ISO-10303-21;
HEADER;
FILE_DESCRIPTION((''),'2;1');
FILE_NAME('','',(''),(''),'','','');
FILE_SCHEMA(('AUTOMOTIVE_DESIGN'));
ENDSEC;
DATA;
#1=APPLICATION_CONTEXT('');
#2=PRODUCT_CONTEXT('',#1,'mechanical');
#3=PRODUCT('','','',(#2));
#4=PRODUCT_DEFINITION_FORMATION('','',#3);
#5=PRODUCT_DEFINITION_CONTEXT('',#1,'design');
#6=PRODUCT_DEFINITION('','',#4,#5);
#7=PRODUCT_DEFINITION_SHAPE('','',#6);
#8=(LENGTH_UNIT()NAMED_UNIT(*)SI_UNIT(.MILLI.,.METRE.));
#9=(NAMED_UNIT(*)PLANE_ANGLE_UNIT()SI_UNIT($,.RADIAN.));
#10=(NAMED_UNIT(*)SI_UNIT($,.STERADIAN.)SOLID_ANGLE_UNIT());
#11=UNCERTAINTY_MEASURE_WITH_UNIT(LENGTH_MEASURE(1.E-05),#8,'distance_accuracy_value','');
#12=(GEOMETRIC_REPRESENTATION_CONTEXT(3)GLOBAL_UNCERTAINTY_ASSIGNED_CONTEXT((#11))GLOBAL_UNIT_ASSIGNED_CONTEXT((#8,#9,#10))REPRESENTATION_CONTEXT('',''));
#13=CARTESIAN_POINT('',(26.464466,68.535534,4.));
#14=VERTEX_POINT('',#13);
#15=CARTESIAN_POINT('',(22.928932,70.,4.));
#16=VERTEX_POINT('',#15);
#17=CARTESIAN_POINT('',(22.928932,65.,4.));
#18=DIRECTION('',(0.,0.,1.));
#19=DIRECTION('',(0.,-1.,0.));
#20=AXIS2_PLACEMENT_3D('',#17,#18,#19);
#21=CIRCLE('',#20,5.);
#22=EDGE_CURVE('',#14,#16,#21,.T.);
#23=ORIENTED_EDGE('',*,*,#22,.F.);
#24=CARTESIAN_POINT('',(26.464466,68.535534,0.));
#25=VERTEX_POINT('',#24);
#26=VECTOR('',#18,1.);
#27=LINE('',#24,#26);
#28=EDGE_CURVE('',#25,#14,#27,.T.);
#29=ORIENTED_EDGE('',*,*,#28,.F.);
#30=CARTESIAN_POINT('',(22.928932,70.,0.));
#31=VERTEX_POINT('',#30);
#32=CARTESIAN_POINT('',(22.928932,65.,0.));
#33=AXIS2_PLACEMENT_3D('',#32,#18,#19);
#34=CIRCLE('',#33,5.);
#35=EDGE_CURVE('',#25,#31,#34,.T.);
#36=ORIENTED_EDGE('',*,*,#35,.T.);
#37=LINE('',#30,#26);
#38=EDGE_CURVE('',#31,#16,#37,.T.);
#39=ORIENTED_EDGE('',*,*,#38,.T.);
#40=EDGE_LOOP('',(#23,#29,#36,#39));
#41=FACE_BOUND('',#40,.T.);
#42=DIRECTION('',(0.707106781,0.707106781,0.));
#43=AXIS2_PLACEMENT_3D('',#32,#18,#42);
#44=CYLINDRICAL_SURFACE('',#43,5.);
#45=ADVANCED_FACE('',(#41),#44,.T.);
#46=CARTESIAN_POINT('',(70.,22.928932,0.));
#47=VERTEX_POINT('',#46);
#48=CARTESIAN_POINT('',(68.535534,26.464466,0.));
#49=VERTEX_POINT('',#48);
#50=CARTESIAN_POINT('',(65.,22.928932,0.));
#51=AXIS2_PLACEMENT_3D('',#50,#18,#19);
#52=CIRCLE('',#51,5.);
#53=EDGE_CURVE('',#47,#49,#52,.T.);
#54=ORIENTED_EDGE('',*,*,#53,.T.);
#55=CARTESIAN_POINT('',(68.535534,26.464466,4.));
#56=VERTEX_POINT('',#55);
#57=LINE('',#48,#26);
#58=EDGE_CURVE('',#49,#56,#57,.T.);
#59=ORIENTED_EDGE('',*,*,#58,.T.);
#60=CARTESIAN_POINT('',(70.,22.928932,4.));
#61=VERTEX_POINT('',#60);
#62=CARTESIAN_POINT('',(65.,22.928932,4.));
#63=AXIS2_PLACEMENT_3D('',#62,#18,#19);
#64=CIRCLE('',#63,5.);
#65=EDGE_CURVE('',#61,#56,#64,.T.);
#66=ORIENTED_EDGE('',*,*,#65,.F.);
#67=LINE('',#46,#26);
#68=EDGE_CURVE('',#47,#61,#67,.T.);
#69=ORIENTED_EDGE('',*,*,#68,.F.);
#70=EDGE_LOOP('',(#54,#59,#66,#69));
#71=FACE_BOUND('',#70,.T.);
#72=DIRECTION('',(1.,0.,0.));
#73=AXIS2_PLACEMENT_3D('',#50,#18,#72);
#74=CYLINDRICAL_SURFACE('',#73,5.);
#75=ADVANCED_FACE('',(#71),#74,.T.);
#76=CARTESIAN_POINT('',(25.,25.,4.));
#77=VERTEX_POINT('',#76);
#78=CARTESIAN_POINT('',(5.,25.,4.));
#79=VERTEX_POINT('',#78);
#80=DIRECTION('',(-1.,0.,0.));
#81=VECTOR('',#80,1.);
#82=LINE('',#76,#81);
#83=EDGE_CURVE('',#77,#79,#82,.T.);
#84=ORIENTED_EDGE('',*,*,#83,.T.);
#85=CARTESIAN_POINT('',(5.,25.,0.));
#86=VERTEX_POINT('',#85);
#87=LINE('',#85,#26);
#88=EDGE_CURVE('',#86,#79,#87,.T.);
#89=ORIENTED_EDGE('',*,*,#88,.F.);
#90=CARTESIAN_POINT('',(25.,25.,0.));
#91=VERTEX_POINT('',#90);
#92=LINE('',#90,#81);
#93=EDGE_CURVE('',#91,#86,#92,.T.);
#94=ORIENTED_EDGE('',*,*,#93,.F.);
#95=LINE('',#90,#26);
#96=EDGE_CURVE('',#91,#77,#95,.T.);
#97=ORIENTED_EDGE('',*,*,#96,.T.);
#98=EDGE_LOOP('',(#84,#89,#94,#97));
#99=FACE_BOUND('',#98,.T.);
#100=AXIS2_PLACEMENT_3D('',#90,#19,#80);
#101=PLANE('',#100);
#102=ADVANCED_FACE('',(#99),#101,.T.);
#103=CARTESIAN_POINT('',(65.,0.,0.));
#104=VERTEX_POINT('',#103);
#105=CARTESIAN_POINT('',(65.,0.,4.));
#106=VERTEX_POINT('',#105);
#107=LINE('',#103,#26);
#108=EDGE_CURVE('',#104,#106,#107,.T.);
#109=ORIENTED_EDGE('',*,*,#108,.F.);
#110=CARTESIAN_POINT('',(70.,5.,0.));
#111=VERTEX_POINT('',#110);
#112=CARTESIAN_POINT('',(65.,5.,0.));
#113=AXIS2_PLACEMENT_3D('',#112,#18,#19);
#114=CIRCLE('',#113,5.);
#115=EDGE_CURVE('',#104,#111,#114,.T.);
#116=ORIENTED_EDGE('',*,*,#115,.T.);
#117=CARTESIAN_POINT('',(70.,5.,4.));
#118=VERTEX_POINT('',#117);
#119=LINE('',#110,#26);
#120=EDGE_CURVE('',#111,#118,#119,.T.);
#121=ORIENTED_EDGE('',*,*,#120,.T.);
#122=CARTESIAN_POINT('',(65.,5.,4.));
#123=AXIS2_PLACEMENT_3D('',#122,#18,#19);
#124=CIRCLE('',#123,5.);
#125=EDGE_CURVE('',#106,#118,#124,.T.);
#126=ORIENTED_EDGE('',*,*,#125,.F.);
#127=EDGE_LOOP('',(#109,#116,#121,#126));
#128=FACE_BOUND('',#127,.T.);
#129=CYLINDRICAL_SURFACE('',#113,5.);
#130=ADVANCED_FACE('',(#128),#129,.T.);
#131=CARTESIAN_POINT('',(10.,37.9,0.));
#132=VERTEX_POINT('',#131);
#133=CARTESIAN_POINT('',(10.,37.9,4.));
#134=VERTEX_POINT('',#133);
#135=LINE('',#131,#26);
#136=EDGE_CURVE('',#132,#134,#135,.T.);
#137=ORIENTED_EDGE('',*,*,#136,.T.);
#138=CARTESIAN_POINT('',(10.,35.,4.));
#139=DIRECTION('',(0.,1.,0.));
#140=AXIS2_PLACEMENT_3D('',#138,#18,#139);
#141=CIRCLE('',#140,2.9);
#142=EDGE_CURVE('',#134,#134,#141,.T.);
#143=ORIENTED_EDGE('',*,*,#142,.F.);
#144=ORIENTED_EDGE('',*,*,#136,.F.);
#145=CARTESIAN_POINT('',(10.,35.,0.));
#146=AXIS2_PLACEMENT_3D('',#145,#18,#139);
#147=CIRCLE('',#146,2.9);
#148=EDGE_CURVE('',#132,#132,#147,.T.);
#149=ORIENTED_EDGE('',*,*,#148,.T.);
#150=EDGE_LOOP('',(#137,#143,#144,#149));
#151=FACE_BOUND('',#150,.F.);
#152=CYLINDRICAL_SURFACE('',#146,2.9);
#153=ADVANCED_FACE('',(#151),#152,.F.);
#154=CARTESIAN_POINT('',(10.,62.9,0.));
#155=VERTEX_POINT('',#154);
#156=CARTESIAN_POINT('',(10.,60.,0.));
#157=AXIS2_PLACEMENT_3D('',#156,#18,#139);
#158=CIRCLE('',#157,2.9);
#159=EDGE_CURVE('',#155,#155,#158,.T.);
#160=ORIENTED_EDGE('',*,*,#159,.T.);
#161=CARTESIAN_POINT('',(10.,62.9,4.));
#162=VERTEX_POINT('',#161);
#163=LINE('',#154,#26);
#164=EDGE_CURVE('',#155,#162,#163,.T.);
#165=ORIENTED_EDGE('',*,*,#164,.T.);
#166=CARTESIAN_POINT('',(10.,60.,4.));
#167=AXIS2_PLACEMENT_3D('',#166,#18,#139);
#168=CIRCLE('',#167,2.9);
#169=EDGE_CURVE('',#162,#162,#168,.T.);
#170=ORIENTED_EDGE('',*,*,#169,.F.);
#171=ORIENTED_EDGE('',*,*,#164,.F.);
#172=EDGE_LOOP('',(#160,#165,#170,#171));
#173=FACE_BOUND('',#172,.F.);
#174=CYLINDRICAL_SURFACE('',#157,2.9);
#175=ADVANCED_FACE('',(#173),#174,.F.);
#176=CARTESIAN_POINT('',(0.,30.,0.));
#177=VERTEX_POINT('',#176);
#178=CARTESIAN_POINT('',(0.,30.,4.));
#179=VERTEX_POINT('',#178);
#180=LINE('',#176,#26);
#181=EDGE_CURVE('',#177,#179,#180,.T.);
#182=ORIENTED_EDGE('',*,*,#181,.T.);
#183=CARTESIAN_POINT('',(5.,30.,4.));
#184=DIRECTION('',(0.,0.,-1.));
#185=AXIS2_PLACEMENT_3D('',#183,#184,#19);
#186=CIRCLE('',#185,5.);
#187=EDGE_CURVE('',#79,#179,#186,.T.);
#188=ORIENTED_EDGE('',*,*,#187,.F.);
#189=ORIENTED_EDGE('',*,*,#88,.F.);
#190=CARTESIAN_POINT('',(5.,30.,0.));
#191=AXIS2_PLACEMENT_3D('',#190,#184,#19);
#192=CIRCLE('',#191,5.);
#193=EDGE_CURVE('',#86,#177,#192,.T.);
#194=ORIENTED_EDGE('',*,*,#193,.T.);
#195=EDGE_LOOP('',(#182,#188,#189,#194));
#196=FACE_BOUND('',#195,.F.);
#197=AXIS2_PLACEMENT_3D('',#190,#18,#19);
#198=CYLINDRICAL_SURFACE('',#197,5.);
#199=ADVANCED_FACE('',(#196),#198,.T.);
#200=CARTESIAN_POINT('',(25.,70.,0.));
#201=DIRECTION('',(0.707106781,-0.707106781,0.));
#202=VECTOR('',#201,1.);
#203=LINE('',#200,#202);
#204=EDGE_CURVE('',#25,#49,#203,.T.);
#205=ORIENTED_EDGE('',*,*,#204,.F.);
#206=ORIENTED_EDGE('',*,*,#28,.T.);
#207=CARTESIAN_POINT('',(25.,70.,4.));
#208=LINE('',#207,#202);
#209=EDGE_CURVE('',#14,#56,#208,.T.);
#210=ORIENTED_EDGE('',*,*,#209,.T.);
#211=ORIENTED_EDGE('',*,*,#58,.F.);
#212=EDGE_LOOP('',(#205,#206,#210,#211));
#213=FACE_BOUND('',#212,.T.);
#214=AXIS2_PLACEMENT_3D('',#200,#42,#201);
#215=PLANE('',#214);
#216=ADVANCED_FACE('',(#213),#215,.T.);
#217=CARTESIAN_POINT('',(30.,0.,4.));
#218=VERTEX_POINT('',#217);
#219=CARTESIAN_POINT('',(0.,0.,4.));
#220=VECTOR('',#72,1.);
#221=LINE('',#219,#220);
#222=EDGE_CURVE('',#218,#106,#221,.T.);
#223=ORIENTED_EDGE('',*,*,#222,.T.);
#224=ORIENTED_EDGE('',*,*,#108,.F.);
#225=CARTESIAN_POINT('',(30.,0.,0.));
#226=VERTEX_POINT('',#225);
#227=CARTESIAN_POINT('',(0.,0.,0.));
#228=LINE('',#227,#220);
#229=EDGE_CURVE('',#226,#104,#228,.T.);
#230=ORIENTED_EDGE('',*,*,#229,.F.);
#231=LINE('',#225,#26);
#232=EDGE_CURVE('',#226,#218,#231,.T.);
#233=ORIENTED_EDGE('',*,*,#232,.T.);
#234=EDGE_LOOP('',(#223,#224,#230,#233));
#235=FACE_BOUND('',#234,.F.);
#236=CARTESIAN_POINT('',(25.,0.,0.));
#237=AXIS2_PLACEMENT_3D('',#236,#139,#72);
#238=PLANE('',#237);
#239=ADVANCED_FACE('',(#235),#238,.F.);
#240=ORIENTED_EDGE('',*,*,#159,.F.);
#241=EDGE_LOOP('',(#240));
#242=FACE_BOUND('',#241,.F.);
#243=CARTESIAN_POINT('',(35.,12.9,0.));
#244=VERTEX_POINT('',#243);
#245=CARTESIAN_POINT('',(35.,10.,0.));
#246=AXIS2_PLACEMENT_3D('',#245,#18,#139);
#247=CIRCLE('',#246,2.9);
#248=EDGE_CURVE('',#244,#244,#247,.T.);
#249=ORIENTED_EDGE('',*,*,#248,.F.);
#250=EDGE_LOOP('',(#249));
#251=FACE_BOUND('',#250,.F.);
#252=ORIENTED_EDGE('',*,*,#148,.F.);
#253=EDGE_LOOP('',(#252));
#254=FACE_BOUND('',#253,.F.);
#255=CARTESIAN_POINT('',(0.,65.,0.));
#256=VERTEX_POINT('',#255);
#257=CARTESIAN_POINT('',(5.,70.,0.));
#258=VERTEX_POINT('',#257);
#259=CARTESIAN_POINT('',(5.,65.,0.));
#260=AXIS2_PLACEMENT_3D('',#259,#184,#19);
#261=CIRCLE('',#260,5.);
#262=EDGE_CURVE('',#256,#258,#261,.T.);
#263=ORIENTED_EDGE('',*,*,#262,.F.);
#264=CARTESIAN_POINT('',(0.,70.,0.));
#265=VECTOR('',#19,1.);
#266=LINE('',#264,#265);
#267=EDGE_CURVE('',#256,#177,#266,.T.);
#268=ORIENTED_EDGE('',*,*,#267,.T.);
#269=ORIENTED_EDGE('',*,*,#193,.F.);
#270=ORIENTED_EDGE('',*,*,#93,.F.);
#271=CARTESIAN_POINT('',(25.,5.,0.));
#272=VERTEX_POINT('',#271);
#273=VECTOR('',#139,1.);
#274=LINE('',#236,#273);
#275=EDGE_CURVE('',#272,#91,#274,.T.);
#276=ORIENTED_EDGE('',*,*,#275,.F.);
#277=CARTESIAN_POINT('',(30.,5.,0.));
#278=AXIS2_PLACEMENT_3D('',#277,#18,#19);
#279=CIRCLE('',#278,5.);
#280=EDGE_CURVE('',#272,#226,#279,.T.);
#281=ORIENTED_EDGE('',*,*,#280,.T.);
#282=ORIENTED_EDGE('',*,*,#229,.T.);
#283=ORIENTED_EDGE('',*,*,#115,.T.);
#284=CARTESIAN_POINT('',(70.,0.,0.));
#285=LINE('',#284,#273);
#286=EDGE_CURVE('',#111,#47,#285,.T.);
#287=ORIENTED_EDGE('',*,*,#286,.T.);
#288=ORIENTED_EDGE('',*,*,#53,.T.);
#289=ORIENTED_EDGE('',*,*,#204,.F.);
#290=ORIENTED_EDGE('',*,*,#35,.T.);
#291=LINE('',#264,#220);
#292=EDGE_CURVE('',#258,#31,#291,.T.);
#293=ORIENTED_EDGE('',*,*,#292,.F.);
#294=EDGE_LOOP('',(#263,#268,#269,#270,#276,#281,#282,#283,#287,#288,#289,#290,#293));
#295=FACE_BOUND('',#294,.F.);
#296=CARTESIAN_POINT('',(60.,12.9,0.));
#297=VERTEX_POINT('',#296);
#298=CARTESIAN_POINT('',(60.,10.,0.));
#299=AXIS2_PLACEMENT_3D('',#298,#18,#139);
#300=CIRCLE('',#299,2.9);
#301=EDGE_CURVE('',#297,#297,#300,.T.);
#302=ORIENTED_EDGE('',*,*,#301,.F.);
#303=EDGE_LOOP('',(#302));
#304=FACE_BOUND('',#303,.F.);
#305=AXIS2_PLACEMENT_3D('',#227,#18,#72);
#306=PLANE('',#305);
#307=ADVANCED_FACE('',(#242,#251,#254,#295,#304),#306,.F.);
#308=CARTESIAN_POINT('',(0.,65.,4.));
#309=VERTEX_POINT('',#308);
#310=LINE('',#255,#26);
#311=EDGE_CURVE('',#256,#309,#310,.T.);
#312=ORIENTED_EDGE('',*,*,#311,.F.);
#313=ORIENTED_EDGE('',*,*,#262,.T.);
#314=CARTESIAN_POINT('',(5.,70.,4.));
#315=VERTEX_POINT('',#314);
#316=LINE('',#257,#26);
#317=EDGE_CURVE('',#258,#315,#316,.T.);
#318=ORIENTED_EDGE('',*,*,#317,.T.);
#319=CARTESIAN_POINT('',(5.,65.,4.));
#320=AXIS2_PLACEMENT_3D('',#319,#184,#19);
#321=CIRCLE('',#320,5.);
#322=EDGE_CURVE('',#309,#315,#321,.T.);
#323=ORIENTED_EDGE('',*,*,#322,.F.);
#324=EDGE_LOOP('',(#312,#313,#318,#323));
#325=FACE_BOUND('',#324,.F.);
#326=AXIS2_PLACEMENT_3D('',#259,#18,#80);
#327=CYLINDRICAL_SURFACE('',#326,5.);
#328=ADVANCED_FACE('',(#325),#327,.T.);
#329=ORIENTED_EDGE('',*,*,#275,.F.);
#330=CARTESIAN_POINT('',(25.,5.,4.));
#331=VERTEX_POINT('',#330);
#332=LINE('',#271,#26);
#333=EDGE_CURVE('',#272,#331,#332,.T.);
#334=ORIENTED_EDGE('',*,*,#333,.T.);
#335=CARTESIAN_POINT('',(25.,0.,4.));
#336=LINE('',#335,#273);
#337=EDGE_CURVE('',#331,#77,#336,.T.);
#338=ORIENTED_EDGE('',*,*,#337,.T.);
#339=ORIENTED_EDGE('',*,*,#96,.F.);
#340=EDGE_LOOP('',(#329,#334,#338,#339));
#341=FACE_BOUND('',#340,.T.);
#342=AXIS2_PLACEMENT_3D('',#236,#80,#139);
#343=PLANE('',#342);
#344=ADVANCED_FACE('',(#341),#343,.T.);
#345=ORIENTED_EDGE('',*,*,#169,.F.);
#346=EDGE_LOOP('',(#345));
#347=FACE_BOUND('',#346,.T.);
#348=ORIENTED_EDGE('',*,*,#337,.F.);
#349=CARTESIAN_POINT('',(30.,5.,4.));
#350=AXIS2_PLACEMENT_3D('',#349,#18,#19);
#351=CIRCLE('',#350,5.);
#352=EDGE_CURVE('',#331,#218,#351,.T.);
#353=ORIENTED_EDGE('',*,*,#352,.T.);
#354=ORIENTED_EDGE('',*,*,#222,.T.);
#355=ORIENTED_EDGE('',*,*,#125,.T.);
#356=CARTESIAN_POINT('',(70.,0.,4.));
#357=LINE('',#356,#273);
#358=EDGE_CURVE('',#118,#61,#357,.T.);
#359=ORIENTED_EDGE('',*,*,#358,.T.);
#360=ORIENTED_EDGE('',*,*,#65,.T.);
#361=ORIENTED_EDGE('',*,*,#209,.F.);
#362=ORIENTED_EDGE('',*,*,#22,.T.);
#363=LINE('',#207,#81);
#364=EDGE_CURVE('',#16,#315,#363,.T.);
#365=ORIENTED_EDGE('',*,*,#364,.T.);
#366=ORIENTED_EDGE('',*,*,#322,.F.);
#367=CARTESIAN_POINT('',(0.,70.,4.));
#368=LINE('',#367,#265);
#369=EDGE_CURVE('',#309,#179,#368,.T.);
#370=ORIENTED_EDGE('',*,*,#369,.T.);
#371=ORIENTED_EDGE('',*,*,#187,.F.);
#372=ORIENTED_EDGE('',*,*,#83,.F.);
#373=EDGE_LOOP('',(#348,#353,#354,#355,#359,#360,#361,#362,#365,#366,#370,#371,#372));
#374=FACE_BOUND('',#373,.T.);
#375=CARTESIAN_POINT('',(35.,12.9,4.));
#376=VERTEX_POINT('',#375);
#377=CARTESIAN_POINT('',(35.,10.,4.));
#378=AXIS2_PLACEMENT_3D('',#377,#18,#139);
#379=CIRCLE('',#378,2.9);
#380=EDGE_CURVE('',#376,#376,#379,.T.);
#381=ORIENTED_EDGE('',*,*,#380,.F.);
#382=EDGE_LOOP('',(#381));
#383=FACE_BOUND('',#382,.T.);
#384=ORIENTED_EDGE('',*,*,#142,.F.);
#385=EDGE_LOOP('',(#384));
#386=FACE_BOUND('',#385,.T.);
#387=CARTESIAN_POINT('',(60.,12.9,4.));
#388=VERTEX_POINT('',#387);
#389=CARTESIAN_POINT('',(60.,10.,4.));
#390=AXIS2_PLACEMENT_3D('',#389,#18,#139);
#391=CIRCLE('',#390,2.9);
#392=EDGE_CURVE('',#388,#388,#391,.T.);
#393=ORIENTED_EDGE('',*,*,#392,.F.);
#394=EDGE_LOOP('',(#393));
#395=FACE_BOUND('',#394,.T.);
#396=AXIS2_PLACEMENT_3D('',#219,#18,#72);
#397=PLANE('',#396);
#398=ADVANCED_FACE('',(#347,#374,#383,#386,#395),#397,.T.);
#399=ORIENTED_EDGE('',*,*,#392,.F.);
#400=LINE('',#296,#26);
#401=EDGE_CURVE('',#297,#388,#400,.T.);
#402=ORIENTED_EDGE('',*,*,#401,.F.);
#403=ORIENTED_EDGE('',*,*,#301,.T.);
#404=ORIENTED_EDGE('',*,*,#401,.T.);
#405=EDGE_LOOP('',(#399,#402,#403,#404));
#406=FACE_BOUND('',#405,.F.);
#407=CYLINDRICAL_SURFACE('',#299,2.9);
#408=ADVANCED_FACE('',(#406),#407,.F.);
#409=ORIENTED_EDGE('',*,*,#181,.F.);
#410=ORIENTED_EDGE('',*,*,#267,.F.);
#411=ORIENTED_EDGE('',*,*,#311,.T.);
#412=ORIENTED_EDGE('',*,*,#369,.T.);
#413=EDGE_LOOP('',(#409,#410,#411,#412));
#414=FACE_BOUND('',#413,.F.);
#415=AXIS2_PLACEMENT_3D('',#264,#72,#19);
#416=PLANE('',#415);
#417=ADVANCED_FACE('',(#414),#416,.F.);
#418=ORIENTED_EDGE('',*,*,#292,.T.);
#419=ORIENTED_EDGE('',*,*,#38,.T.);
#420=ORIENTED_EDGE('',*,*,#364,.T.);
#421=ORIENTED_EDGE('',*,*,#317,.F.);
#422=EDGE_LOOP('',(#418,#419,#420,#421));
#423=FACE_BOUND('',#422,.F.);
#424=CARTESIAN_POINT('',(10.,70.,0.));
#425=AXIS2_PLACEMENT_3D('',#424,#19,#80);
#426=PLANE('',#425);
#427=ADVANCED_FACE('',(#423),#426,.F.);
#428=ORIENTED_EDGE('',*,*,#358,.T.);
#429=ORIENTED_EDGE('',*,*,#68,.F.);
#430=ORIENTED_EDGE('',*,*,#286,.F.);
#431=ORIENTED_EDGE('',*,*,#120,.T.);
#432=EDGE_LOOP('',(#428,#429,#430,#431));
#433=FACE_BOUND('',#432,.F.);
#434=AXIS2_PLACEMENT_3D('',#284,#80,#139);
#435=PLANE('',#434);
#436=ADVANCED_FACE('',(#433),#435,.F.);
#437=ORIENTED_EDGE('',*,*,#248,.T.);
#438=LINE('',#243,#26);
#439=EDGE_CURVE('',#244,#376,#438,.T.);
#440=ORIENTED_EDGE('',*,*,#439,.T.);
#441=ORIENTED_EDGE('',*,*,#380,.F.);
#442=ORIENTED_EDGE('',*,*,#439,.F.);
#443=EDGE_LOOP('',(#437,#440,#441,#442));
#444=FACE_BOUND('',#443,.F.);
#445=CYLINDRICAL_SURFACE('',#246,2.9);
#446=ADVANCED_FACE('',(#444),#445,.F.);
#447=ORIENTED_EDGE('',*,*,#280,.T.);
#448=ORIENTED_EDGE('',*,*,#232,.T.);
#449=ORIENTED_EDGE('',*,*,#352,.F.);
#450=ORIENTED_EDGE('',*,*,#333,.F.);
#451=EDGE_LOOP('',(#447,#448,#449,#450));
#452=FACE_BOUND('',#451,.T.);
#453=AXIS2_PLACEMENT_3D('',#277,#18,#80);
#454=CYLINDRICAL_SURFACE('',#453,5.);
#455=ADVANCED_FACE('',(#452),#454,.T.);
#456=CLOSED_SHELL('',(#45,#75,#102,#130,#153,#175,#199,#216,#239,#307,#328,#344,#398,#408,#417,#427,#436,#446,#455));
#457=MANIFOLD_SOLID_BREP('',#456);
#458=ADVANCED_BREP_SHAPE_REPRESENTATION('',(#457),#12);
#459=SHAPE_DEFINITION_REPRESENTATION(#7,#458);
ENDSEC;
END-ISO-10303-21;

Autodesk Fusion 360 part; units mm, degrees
sketch "Bracket Shape" plane through (0, 0, 0) normal (0, 0, 1) x (1, 0, 0) in component "Bracket"
  line L0 (0, 0) -> (70, 0)
  line L1 (70, 0) -> (70, 70)
  line L2 (70, 70) -> (0, 70)
  line L3 (0, 70) -> (0, 0)
  line L4 (0, 0) -> (25, 0)
  line L5 (25, 0) -> (25, 25)
  line L6 (25, 25) -> (0, 25)
  line L7 (0, 25) -> (0, 0)
  line L8 (25, 25) -> (25, 70)
  line L9 (25, 25) -> (70, 25)
  line L10 (25, 70) -> (70, 25)
  line L11 (0, 70) -> (10, 70)
  line L12 (10, 70) -> (10, 25) construction
  line L13 (70, 0) -> (70, 10) construction
  line L14 (70, 10) -> (25, 10) construction
  line L15 (70, 0) -> (60, 0) construction
  line L16 (25, 0) -> (35, 0) construction
  line L17 (35, 0) -> (35, 10) construction
  line L18 (60, 0) -> (60, 10) construction
  line L19 (0, 25) -> (0, 35) construction
  line L20 (0, 70) -> (0, 60) construction
  line L21 (0, 70) -> (0, 60) construction
  line L22 (0, 35) -> (10, 35) construction
  line L23 (0, 60) -> (10, 60) construction
  line L24 (25, 10) -> (0, 10) construction
  line L25 (10, 25) -> (10, 0) construction
  dimension "d1" = 70
  dimension "d2" = 70
  dimension "d3" = 25
  dimension "d4" = 25
  dimension "d7" = 10
  dimension "d8" = 10
  dimension "d9" = 10
  dimension "d10" = 10
  dimension "d11" = 10
  dimension "d12" = 10
extrude "Extrude1" add sketch "Bracket Shape" along normal blind 4 contours L0 L1 L5 L9 | L2 L3 L6 L8 L11 | L8 L9 L10 in component "Bracket"
hole "Hole1" at (10, 60, 0) direction (0, 0, 1) diameter 5.8 end through all in component "Bracket"
hole "Hole2" at (10, 35, 0) direction (0, 0, 1) diameter 5.8 end through all in component "Bracket"
hole "Hole3" at (35, 10, 0) direction (0, 0, 1) diameter 5.8 end through all in component "Bracket"
hole "Hole4" at (60, 10, 0) direction (0, 0, 1) diameter 5.8 end through all in component "Bracket"
fillet "Fillet1" radius 5 6 edges at (70, 0, 2) (25, 0, 2) (0, 25, 2) (0, 70, 2) (25, 70, 2) (70, 25, 2) in component "Bracket"
component "Bracket" placed x (1, 0, 0) y (0, 1, 0) z (0, 0, 1) at (0, 0, 0)
